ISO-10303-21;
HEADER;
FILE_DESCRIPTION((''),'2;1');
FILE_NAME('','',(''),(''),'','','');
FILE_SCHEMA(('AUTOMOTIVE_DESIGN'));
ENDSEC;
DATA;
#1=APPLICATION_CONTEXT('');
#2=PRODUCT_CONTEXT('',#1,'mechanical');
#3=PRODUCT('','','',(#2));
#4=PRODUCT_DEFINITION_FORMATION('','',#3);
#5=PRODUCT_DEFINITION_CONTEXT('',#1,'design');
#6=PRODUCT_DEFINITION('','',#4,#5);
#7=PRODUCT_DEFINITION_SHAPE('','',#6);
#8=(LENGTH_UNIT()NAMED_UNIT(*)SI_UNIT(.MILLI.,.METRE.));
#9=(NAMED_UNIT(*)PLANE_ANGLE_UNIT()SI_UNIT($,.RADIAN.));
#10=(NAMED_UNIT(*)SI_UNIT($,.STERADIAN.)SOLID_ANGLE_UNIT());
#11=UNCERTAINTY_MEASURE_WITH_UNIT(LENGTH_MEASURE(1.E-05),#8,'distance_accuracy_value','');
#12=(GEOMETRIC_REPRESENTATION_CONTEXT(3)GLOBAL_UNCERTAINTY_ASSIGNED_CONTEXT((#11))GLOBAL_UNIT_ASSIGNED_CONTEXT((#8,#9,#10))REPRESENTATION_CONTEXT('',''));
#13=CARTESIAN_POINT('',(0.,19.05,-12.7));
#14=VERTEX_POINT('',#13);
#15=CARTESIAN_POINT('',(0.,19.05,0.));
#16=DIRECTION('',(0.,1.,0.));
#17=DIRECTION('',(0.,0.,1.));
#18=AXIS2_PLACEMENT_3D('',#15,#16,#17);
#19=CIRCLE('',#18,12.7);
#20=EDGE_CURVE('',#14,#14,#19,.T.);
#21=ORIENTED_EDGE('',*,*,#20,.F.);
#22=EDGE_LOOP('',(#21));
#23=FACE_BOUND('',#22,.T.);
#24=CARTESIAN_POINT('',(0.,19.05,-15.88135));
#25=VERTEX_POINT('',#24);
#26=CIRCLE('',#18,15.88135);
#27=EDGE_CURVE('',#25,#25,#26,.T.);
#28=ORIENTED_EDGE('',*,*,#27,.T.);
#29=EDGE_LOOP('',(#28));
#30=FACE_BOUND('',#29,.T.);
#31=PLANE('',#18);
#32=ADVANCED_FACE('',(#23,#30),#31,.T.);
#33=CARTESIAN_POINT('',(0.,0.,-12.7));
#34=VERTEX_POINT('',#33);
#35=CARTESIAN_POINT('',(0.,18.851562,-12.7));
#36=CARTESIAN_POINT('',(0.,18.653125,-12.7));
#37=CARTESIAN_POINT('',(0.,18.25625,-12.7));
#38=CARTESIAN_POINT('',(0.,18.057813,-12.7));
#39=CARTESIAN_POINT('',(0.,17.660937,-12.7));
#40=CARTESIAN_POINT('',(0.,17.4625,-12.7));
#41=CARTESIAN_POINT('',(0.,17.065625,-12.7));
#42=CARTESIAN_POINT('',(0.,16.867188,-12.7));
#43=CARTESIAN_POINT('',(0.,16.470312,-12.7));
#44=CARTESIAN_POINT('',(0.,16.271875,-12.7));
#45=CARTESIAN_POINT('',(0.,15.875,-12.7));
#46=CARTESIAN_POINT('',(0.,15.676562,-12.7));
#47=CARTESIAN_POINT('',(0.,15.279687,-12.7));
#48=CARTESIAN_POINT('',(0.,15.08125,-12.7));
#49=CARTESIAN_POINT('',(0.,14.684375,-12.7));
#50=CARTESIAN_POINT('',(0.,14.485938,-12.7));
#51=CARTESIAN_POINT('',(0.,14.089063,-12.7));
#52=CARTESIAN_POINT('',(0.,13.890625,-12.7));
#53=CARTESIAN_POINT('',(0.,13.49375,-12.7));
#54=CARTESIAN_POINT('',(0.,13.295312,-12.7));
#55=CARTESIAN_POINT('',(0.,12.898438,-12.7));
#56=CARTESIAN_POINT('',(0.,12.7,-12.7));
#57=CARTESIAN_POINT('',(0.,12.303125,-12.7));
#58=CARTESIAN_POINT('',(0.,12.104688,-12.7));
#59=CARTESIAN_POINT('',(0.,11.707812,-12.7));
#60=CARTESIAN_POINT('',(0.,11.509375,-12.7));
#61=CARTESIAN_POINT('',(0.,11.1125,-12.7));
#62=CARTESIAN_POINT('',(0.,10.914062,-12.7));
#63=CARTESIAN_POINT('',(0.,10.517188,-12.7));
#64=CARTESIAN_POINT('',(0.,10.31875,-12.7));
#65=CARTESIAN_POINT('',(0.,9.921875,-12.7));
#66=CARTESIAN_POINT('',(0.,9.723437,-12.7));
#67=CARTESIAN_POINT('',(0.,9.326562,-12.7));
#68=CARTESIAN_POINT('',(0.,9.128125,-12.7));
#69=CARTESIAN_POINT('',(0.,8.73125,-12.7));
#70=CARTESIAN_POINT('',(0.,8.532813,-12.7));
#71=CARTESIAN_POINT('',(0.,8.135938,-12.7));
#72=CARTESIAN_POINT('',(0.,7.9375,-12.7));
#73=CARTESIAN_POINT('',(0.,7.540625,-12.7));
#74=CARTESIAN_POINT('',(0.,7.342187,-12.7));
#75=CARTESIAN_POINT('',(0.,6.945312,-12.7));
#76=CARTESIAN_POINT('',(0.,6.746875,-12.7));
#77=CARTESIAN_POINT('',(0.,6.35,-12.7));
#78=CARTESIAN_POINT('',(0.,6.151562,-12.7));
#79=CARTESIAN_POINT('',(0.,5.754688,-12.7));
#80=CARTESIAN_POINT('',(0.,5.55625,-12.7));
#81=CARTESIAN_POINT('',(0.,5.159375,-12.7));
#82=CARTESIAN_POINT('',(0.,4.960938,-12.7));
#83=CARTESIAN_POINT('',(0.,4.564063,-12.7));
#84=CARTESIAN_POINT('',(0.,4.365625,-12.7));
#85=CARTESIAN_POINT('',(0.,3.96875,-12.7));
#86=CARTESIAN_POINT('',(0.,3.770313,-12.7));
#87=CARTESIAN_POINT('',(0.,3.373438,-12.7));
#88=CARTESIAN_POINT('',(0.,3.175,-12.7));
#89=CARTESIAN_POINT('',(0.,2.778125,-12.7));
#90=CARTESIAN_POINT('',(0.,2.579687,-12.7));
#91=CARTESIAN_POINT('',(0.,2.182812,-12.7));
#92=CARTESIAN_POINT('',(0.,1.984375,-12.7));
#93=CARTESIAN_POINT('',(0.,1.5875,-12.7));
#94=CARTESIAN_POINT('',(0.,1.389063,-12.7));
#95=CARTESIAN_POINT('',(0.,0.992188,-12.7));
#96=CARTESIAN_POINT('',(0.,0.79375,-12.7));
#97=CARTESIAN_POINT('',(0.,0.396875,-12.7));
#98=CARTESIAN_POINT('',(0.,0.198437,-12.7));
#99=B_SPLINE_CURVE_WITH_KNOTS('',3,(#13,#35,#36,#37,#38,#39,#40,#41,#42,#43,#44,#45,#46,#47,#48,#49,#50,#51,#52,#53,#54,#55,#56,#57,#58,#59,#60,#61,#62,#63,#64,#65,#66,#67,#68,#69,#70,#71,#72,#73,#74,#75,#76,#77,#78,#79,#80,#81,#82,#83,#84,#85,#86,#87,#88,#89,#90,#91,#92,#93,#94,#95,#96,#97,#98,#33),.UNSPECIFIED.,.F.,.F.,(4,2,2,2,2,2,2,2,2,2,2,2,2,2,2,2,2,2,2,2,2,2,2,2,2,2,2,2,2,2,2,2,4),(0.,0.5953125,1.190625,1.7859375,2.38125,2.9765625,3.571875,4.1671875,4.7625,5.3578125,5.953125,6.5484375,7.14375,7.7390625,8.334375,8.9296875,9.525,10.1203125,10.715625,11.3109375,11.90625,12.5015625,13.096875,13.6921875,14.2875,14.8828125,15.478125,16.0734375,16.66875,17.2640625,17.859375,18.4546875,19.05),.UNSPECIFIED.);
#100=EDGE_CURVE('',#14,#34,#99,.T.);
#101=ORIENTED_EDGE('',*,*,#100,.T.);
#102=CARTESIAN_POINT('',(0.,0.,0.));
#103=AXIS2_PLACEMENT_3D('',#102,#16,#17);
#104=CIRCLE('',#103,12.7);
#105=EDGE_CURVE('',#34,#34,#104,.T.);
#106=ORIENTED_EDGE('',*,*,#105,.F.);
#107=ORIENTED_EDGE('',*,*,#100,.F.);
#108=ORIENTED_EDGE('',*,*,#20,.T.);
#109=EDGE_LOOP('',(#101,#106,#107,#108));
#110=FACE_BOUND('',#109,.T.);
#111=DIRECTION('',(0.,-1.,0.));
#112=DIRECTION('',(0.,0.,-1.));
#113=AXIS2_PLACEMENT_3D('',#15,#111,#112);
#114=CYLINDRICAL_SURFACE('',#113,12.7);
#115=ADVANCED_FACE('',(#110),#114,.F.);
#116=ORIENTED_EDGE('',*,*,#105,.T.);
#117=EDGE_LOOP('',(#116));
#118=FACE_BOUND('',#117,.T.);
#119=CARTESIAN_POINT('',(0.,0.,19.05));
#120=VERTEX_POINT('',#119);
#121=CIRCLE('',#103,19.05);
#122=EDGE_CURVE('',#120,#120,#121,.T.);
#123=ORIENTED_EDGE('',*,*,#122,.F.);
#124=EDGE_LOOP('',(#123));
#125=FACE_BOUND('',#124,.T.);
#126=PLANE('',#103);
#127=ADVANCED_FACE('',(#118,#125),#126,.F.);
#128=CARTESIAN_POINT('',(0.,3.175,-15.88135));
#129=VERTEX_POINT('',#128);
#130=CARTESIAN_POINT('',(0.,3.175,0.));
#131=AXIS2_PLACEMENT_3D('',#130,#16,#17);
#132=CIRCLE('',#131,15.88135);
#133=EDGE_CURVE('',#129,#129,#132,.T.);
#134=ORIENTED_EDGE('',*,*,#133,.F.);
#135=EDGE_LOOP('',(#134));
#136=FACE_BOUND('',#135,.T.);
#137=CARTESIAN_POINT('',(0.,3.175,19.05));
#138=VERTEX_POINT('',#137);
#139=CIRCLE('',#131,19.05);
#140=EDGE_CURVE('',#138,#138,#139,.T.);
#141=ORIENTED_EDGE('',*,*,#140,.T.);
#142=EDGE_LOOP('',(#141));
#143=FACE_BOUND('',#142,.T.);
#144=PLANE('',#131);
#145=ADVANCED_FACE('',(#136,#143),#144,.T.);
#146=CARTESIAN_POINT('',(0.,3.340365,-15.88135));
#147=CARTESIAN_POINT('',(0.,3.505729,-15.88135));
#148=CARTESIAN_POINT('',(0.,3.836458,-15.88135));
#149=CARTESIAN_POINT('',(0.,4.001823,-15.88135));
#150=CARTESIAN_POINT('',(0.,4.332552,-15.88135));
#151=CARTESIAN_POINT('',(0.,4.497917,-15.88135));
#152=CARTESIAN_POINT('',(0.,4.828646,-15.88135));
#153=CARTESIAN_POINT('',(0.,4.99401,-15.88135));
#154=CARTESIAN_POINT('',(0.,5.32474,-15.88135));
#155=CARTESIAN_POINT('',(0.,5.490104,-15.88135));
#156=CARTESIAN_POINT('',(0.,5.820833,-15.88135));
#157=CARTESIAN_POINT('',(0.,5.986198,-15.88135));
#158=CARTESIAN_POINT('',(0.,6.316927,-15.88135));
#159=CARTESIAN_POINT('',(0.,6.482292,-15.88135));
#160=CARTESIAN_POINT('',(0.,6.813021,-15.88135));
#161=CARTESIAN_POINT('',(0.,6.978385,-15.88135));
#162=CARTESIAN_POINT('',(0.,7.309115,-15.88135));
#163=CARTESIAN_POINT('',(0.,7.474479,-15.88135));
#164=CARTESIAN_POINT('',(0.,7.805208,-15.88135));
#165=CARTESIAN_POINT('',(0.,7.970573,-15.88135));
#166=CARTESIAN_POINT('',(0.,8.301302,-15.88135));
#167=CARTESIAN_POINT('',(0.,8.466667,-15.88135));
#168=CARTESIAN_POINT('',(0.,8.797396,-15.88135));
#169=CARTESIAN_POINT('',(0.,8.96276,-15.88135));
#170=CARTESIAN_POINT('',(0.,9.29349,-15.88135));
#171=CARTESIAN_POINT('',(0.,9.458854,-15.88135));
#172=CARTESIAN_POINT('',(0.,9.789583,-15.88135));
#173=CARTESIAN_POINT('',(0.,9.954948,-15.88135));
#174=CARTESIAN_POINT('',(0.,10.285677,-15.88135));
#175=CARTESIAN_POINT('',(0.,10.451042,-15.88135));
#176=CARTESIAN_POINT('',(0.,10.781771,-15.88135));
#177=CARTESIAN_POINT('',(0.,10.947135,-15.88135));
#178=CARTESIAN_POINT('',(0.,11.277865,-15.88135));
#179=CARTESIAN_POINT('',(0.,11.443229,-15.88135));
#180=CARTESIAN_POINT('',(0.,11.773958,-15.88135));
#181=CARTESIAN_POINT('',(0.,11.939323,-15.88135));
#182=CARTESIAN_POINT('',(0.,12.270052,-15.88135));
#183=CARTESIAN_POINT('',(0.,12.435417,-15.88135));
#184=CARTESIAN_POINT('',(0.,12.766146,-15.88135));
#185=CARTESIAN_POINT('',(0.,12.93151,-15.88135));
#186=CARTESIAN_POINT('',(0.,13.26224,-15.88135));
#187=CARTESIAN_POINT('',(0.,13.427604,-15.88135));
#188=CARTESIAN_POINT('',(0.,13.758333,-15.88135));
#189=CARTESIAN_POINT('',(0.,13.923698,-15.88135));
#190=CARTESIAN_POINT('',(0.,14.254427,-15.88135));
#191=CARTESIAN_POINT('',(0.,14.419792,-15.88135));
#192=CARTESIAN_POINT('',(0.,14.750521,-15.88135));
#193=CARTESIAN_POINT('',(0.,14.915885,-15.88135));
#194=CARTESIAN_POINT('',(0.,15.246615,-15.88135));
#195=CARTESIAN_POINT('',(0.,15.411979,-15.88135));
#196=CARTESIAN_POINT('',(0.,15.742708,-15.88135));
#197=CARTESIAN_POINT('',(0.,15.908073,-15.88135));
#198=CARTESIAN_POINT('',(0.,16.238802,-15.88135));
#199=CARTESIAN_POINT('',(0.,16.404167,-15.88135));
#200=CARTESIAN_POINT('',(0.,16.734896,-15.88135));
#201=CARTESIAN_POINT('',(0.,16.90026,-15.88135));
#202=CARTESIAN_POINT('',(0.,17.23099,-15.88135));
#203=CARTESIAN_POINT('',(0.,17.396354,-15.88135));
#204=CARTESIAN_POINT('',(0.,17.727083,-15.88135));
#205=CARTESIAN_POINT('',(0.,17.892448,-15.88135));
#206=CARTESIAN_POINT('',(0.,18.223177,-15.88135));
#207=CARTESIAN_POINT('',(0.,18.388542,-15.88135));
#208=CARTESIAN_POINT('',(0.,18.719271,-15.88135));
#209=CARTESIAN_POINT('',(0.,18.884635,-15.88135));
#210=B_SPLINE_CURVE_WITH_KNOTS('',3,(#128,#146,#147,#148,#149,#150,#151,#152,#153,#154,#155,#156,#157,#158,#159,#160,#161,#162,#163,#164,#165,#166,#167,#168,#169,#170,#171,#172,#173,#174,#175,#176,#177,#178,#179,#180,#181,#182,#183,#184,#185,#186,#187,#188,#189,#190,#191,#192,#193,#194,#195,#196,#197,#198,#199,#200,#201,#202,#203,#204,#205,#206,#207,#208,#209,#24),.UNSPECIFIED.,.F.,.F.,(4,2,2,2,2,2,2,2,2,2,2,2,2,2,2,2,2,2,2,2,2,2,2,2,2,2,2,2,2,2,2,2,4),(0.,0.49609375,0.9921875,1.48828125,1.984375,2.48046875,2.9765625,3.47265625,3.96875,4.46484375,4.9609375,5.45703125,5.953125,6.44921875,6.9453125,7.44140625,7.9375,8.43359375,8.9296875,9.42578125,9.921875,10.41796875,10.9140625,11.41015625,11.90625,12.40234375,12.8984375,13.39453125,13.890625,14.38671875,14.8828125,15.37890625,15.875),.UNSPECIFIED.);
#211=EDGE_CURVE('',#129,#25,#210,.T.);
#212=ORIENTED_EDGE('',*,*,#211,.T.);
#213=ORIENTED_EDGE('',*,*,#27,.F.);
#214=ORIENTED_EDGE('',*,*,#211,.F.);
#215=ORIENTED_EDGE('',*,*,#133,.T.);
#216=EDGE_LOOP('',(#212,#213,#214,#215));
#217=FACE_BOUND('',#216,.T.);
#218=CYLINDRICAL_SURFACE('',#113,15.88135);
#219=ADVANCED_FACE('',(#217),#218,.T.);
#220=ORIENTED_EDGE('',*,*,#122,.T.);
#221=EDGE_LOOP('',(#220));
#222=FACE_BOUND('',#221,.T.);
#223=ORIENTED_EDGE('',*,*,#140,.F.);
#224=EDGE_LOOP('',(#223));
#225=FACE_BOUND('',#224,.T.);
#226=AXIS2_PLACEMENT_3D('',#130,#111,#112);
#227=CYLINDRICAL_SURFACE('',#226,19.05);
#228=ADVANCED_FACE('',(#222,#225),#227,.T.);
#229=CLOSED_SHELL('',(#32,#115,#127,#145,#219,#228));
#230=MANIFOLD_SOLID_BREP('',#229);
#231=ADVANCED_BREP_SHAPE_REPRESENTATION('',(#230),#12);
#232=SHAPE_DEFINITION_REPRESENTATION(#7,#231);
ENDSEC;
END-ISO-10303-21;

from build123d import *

# Parameters (mm, degrees)
SKETCH2_R           = 15.88135
SKETCH2_R_2         = 12.7
BOSS_EXTRUDE1_DEPTH = 19.05
SKETCH3_R           = 19.05
SKETCH3_R_2         = 15.88135
BOSS_EXTRUDE2_DEPTH = 3.175


with BuildPart() as part:
    # Sketch2 → Boss-Extrude1 (new body)
    with BuildSketch(Plane(origin=(0, 0, 0), x_dir=(1, 0, 0), z_dir=(0, 1, 0))):
        with Locations(Location((0, 0, 0), (0, 0, 90))):
            Circle(SKETCH2_R)
        with Locations(Location((0, 0, 0), (0, 0, 90))):
            Circle(SKETCH2_R_2, mode=Mode.SUBTRACT)
    extrude(amount=BOSS_EXTRUDE1_DEPTH)

    # Sketch3 → Boss-Extrude2 (add)
    with BuildSketch(Plane(origin=(0, 0, 0), x_dir=(1, 0, 0), z_dir=(0, 1, 0))):
        with Locations(Location((0, 0, 0), (0, 0, 270))):
            Circle(SKETCH3_R)
        with Locations(Location((0, 0, 0), (0, 0, 90))):
            Circle(SKETCH3_R_2, mode=Mode.SUBTRACT)
    extrude(amount=BOSS_EXTRUDE2_DEPTH)


solid = part.part
